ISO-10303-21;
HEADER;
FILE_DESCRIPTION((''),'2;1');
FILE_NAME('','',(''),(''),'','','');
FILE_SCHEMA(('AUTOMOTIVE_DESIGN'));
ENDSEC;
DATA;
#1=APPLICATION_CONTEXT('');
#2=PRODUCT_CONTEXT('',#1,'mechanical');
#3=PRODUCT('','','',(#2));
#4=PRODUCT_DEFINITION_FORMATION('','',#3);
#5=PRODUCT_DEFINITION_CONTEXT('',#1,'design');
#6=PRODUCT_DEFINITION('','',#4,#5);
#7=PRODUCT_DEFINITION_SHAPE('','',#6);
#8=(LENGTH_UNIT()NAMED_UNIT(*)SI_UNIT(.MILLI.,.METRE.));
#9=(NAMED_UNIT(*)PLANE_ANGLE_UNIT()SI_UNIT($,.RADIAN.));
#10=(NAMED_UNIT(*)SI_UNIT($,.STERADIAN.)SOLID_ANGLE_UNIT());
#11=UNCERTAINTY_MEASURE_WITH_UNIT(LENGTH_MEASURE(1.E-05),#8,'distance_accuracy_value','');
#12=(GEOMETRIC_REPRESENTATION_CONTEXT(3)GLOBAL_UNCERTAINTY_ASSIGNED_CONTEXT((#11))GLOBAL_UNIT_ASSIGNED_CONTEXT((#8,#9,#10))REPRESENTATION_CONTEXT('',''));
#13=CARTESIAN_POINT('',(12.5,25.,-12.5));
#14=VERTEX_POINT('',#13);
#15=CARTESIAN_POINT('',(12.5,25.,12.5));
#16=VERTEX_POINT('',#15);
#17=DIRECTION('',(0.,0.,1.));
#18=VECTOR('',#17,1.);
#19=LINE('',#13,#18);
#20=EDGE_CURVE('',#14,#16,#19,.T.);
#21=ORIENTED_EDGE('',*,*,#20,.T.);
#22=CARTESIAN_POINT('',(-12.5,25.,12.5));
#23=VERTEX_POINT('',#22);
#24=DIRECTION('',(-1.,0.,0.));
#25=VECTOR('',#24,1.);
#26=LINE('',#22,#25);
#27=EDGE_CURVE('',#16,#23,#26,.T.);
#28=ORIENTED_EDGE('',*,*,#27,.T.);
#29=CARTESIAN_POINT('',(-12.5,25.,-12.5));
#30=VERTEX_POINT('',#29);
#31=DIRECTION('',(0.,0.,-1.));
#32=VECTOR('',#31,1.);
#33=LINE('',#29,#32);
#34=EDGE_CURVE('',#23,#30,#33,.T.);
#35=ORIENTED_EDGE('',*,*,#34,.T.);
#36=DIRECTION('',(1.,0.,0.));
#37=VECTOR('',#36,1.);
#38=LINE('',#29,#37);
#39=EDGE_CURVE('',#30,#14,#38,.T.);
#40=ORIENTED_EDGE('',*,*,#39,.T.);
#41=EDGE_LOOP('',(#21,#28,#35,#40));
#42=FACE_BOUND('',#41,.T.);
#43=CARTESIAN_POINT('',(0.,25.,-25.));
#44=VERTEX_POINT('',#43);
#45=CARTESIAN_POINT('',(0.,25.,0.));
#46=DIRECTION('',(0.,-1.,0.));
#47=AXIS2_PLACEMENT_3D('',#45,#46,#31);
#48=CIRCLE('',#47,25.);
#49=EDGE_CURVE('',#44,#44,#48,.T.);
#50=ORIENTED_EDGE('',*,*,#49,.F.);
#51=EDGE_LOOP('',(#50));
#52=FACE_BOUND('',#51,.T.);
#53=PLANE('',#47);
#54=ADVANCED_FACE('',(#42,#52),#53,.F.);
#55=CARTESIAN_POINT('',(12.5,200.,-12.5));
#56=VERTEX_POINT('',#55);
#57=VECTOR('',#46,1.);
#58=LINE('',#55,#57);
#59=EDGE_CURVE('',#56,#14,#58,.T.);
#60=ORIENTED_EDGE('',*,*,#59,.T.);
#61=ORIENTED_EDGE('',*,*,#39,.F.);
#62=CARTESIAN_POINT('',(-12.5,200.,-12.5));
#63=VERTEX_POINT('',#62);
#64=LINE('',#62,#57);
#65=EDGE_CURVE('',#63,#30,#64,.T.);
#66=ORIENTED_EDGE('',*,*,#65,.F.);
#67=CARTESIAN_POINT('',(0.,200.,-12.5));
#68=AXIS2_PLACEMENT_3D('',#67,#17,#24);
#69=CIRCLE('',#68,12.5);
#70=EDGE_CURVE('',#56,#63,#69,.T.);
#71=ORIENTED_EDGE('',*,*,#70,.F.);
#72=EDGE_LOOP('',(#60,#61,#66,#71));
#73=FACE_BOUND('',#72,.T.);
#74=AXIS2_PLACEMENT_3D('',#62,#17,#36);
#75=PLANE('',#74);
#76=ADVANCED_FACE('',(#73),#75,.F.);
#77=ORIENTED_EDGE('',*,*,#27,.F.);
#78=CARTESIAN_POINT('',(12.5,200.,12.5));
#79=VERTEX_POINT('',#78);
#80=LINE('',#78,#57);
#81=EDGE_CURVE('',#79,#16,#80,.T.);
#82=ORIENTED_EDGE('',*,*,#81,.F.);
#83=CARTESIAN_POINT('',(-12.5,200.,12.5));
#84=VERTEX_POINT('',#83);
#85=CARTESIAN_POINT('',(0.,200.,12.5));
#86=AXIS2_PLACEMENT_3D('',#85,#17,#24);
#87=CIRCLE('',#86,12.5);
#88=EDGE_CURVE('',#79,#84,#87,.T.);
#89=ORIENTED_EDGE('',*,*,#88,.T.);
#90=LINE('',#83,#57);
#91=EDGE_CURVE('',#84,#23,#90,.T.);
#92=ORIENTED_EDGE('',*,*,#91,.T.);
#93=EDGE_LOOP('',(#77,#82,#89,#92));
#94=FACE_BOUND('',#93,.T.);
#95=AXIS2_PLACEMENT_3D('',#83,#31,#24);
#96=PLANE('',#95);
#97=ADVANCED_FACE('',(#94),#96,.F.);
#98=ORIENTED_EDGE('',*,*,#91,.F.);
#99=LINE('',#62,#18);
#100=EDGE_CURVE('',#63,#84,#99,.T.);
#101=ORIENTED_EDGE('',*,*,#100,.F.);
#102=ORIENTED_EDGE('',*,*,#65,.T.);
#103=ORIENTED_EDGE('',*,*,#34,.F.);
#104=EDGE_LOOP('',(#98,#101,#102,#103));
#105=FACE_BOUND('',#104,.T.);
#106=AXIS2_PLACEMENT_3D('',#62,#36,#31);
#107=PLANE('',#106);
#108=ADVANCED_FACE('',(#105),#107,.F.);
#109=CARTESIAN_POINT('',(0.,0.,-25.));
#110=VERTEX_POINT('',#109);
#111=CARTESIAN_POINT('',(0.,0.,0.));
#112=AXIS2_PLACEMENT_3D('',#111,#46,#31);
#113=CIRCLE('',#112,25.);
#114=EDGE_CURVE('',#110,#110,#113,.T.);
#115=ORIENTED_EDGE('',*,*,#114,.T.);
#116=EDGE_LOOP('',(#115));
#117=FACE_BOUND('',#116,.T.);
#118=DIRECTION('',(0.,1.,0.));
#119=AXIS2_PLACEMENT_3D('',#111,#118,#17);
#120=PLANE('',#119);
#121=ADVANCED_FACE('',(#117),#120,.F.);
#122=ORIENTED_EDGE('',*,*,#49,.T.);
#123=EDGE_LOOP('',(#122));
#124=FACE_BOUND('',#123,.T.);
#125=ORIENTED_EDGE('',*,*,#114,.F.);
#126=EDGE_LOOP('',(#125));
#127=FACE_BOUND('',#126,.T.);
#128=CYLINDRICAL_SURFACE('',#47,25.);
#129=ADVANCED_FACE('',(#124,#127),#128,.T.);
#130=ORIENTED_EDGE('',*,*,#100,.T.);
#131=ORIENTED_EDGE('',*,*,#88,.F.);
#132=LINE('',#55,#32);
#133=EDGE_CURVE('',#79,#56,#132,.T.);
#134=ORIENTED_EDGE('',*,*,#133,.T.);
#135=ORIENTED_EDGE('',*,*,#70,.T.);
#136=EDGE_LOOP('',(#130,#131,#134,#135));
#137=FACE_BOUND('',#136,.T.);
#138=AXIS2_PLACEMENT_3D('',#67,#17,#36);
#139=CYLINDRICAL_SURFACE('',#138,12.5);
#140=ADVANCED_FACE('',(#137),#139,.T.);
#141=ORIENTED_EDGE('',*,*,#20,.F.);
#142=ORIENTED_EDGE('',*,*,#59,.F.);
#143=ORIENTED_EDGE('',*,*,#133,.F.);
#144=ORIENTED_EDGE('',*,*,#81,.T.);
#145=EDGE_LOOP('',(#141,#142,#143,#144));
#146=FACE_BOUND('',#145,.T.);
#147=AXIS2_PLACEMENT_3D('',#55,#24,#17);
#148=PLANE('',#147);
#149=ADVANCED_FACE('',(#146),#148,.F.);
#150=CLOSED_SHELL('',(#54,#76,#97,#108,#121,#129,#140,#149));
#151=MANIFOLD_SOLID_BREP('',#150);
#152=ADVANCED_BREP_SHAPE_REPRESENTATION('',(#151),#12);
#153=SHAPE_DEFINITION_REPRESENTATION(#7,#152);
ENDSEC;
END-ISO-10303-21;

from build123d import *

# Parameters (mm, degrees)
ESQUISSE1_W        = 25
ESQUISSE1_H        = 25
BOSS_EXTRU_1_DEPTH = 200
BOSS_EXTRU_2_DEPTH = 25
ESQUISSE3_R        = 25
BOSS_EXTRU_3_DEPTH = 25


with BuildPart() as part:
    # Esquisse1 → Boss.-Extru.1 (new body)
    with BuildSketch(Plane(origin=(0, 0, 0), x_dir=(1, 0, 0), z_dir=(0, 1, 0))):
        Rectangle(ESQUISSE1_W, ESQUISSE1_H)
    extrude(amount=BOSS_EXTRU_1_DEPTH)

    # Esquisse2 → Boss.-Extru.2 (add)
    with BuildSketch(Plane.XY.offset(12.5)):
        with BuildLine():
            Line((-12.5, 200), (12.5, 200))
            ThreePointArc((12.5, 200), (0, 212.5), (-12.5, 200))
        make_face()
    extrude(amount=-BOSS_EXTRU_2_DEPTH)

    # Esquisse3 → Boss.-Extru.3 (add)
    with BuildSketch(Plane.XZ):
        with Locations(Location((0, 0, 0), (0, 0, 270))):
            Circle(ESQUISSE3_R)
    extrude(amount=-BOSS_EXTRU_3_DEPTH)


solid = part.part
